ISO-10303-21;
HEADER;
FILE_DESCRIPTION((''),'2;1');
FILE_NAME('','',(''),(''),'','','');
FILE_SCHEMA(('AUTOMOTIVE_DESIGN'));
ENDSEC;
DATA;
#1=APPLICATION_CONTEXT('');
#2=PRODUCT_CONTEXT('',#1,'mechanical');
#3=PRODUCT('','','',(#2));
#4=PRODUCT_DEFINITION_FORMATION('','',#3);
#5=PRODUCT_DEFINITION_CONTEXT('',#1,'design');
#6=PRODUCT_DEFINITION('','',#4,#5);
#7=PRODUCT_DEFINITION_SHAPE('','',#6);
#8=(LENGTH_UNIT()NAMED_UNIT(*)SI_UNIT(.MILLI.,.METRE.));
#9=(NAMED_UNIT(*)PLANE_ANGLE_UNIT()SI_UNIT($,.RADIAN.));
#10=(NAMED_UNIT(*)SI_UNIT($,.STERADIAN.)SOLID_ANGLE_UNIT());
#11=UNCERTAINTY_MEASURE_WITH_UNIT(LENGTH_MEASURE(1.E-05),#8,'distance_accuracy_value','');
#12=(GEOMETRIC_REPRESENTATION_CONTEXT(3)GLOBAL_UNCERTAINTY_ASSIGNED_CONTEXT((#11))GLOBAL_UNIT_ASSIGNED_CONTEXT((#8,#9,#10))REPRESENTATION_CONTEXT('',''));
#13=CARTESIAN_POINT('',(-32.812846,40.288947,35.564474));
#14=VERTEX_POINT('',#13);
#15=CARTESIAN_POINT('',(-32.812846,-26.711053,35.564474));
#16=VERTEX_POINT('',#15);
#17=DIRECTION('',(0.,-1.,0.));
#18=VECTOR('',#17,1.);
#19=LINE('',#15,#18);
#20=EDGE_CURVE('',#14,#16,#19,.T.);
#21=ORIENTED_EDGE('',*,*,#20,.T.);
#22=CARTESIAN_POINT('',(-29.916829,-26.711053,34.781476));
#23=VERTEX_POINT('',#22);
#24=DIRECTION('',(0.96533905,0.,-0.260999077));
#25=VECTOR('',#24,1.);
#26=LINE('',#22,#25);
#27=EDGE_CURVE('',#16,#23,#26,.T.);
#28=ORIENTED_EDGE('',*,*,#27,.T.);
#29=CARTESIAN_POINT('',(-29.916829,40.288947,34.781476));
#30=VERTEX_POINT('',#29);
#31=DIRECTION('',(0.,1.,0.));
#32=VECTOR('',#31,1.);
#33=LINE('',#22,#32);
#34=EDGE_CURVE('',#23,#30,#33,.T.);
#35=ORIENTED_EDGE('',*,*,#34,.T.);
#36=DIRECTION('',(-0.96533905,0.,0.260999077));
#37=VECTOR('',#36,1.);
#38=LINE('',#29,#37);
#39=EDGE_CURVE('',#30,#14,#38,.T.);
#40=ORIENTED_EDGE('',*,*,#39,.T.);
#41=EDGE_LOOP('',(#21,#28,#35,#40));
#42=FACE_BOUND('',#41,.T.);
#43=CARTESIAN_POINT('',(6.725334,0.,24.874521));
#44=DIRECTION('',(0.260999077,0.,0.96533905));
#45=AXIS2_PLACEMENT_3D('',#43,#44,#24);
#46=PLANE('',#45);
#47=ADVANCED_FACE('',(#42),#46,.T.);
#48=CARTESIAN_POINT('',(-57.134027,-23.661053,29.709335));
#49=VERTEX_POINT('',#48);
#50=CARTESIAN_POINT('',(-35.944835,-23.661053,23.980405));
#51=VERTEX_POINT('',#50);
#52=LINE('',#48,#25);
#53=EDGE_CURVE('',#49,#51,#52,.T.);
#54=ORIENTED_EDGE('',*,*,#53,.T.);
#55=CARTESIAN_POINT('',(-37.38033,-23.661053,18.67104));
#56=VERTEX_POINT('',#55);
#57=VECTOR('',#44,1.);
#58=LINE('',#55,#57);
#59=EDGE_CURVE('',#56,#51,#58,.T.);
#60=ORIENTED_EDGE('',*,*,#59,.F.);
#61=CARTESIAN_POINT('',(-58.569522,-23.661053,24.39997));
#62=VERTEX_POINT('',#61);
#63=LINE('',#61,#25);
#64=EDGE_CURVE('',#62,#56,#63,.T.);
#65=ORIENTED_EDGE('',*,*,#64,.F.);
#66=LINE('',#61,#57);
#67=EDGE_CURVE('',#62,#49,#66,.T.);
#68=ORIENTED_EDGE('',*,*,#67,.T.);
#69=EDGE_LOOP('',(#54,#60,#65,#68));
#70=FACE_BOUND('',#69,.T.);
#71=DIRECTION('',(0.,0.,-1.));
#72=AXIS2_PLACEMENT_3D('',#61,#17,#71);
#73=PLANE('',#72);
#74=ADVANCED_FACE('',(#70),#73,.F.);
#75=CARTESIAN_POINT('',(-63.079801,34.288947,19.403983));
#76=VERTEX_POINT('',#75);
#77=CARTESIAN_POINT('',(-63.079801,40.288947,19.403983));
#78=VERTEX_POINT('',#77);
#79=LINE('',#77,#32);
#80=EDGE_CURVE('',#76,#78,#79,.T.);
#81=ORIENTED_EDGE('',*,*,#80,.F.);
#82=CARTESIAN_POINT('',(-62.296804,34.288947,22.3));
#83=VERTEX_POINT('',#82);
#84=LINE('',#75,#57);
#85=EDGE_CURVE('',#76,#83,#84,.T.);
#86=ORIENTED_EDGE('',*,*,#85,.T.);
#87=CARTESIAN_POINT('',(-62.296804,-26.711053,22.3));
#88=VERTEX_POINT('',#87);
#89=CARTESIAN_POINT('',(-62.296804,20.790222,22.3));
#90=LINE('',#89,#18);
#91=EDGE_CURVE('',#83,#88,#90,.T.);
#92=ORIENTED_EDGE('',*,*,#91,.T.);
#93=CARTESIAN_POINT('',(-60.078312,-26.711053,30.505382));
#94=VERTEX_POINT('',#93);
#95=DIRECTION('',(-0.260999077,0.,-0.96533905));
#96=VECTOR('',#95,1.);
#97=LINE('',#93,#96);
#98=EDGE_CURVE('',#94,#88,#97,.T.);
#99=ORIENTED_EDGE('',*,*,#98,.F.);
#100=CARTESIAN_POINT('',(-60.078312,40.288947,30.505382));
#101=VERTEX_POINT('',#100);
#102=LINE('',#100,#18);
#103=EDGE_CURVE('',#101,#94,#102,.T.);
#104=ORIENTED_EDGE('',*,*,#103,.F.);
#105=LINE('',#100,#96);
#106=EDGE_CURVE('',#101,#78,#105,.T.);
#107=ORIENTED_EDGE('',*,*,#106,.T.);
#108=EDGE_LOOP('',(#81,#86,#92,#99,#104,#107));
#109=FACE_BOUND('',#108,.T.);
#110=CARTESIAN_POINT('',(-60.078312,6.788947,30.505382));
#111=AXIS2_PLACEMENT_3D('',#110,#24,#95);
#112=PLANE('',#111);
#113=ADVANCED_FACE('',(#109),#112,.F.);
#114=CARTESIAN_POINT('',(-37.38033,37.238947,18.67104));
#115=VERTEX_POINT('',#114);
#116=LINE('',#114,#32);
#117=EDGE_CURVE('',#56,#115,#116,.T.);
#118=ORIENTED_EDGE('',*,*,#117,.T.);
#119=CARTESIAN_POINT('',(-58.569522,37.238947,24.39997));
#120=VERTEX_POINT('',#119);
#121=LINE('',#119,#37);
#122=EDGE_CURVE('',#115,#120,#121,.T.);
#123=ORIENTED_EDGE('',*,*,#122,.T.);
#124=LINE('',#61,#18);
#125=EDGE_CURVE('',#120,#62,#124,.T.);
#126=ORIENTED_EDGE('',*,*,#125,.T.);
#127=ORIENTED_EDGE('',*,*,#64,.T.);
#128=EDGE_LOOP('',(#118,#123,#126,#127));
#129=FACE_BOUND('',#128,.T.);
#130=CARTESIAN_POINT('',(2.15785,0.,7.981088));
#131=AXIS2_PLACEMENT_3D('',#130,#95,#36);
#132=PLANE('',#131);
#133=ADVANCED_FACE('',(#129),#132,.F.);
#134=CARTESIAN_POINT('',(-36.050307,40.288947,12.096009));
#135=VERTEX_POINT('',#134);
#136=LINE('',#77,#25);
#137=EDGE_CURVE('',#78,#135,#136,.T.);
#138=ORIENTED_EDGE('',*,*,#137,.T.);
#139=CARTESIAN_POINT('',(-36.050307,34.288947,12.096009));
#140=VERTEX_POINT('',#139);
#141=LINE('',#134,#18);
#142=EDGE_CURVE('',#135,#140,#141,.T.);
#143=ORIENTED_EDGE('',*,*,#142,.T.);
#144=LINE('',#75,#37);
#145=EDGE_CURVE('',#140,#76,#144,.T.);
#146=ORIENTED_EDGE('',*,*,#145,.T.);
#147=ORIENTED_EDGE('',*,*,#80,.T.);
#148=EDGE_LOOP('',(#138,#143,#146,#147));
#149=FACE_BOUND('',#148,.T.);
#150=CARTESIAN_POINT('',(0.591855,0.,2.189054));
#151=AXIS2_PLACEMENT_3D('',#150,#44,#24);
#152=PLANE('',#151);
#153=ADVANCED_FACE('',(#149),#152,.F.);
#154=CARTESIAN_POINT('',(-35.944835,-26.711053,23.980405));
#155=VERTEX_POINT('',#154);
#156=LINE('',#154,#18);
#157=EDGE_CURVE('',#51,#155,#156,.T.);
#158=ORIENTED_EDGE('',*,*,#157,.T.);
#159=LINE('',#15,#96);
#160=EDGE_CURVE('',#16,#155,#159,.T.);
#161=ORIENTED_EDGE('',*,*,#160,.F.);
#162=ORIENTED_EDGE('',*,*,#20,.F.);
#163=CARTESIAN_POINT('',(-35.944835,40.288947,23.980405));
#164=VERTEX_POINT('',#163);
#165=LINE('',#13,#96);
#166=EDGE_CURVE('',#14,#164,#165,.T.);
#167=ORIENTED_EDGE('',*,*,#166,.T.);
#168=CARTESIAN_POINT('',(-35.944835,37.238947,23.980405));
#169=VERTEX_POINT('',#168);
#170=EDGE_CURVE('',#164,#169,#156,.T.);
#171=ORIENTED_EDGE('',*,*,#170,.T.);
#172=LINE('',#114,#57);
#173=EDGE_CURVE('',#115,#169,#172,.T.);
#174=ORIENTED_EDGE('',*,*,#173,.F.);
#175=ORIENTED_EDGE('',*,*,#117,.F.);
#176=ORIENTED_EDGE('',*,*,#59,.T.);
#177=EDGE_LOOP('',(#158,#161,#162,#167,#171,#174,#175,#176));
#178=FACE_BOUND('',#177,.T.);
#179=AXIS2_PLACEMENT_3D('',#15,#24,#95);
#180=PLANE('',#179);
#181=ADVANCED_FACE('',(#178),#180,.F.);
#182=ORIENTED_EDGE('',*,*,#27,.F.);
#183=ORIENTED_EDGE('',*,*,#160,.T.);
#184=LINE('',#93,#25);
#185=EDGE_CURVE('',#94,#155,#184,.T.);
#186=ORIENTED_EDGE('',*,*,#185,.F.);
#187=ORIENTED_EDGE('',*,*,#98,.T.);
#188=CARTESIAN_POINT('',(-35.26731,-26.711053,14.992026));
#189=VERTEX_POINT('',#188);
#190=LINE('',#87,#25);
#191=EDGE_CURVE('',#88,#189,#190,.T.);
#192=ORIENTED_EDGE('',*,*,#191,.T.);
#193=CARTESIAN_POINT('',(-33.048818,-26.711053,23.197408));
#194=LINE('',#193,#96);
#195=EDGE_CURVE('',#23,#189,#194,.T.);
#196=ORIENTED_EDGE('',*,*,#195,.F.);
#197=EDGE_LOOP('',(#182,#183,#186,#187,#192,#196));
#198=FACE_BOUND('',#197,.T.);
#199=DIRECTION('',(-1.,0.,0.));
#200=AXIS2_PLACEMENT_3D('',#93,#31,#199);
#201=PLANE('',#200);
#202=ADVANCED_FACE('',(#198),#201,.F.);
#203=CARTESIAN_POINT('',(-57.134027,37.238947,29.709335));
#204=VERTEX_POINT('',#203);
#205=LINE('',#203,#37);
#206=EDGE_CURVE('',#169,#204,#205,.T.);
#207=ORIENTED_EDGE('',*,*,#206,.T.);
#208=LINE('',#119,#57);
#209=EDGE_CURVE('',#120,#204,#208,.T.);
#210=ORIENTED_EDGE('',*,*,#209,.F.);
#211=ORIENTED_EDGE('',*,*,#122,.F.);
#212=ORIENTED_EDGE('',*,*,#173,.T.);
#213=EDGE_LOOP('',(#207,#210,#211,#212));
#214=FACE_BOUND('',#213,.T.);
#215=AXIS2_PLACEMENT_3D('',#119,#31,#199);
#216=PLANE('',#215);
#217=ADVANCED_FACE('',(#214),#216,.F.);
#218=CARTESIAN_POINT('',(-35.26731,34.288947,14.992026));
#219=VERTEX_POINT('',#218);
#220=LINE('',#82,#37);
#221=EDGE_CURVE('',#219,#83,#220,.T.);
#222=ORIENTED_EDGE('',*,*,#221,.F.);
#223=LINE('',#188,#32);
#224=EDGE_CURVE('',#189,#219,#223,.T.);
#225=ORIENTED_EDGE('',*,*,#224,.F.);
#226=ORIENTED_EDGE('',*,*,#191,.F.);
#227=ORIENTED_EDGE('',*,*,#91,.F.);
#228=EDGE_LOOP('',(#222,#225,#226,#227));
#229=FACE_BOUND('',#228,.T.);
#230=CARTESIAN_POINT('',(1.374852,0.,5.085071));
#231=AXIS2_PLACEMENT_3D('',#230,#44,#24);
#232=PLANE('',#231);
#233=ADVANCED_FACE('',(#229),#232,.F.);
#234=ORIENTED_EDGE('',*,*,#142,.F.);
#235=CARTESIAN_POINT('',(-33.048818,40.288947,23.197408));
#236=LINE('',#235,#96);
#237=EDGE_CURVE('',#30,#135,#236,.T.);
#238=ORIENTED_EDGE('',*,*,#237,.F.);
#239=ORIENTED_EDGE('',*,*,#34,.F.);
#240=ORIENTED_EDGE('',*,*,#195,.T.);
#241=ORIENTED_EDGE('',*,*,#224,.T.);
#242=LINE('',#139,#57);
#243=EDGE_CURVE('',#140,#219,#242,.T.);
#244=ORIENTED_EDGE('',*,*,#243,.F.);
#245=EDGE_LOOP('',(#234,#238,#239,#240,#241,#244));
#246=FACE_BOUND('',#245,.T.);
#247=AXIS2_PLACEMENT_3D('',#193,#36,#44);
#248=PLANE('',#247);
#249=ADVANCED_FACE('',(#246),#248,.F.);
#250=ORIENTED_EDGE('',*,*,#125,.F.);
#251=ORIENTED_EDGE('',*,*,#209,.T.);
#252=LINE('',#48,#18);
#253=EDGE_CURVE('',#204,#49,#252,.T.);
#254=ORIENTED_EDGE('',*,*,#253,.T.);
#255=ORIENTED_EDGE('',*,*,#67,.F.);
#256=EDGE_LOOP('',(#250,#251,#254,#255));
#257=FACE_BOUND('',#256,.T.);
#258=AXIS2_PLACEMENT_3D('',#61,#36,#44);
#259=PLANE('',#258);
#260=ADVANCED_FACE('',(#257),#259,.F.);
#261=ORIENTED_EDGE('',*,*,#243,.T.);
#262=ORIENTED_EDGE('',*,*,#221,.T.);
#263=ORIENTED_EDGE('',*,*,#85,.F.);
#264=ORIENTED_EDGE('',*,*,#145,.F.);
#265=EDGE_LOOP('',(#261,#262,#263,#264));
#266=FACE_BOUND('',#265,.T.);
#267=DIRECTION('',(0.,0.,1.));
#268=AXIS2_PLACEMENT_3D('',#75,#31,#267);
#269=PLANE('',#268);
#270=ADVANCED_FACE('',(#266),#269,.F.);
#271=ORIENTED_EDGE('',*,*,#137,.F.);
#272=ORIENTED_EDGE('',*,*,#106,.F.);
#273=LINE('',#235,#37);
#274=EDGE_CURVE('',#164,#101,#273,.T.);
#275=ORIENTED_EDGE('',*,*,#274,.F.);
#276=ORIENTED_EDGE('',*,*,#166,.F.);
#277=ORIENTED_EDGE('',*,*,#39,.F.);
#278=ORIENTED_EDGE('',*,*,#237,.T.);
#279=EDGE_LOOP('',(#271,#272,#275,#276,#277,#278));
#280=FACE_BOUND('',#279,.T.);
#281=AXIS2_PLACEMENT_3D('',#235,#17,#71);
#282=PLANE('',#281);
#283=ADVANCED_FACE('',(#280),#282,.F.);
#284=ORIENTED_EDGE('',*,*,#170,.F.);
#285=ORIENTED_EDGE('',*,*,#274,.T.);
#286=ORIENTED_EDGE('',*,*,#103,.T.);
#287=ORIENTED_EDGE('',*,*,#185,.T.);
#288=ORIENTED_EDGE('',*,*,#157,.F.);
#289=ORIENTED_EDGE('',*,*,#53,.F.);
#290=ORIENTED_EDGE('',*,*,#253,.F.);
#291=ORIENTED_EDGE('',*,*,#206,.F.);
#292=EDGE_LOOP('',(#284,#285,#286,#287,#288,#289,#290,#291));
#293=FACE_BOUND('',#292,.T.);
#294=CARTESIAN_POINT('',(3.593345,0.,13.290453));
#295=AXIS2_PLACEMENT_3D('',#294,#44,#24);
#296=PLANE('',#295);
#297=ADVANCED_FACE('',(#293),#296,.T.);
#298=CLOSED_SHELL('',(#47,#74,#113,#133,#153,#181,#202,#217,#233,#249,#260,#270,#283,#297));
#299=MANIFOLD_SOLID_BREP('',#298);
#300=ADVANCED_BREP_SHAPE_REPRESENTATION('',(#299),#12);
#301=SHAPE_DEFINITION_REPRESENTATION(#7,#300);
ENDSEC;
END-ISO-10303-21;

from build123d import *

# Parameters (mm, degrees)
CROQUIS1_W              = 52
CROQUIS1_H              = 37
SALIENTE_EXTRUIR1_DEPTH = 3
REDONDEO1_R             = 3
CROQUIS2_R              = 1.5
CORTAR_EXTRUIR1_DEPTH   = 3
CROQUIS3_W              = 29
CROQUIS3_H              = 20
CROQUIS3_W_2            = 6
CROQUIS3_H_2            = 14
CORTAR_EXTRUIR2_DEPTH   = 3
SALIENTE_EXTRUIR2_DEPTH = 9
CROQUIS5_W              = 36
CROQUIS5_H              = 28.002550662
SALIENTE_EXTRUIR3_DEPTH = 10.3
CORTAR_EXTRUIR3_START   = -28.002551
CORTAR_EXTRUIR3_DEPTH   = 28.002551
SALIENTE_EXTRUIR4_DEPTH = 8.5
CROQUIS8_W              = 21.9
CROQUIS8_H              = 60.9
CORTAR_EXTRUIR4_DEPTH   = 5.5
CORTAR_EXTRUIR5_DEPTH   = 9
CORTAR_EXTRUIR6_START   = -28.002551
CROQUIS12_W             = 9
CROQUIS12_H             = 1.570892211
CORTAR_EXTRUIR6_DEPTH   = 28.002551
CROQUIS13_W             = 3
CROQUIS13_H             = 67
SALIENTE_EXTRUIR5_DEPTH = 12
CORTAR_EXTRUIR7_START   = -28.002551
CROQUIS14_W             = 31
CROQUIS14_H             = 9
CORTAR_EXTRUIR7_DEPTH   = 28.002551
CROQUIS17_R             = 1.5
SALIENTE_EXTRUIR6_DEPTH = 9
CORTAR_EXTRUIR8_START   = -37
CROQUIS18_W             = 54.197150846
CROQUIS18_H             = 9
CORTAR_EXTRUIR8_DEPTH   = 37
CROQUIS20_W             = 28
CROQUIS20_H             = 6
SALIENTE_EXTRUIR7_DEPTH = 3
CROQUIS21_W             = 20
CROQUIS21_H             = 4.5
CORTAR_EXTRUIR10_DEPTH  = 2
CROQUIS24_W             = 0.05
CROQUIS24_H             = 60.9
CORTAR_EXTRUIR13_DEPTH  = 5.5
CROQUIS25_W             = 64.228743672
CROQUIS25_H             = 61
CORTAR_EXTRUIR14_DEPTH  = 15
CROQUIS26_W             = 10.904109589
CROQUIS26_H             = 37
CORTAR_EXTRUIR15_DEPTH  = 15


with BuildPart() as part:
    # Croquis1 → Saliente-Extruir1 (new body)
    with BuildSketch(Plane.XY):
        with Locations((-39.296803653, 6.787671233)):
            Rectangle(CROQUIS1_W, CROQUIS1_H)
    extrude(amount=SALIENTE_EXTRUIR1_DEPTH)

    # Redondeo1
    redondeo1_edges = [part.edges().sort_by_distance(p)[0] for p in [
        (-65.296803653, 25.287671233, 1.5),
        (-65.296803653, -11.712328767, 1.5),
    ]]
    fillet(redondeo1_edges, radius=REDONDEO1_R)

    # Croquis2 → Cortar-Extruir1 (cut)
    with BuildSketch(Plane.XY.offset(3)):
        with Locations((-61.296803653, 21.287671233)):
            Circle(CROQUIS2_R)
        with Locations((-61.296803653, -7.712328767)):
            Circle(CROQUIS2_R)
        with Locations((-16.624072342, -7.712328767)):
            Circle(CROQUIS2_R)
        with Locations((-17.296803653, 21.287671233)):
            Circle(CROQUIS2_R)
    extrude(amount=-CORTAR_EXTRUIR1_DEPTH, mode=Mode.SUBTRACT)

    # Croquis3 → Cortar-Extruir2 (cut)
    with BuildSketch(Plane.XY.offset(3)):
        with Locations((-50.796803653, 6.787671233)):
            Rectangle(CROQUIS3_W, CROQUIS3_H)
        with Locations((-16.296803653, 6.787671233)):
            Rectangle(CROQUIS3_W_2, CROQUIS3_H_2)
    extrude(amount=-CORTAR_EXTRUIR2_DEPTH, mode=Mode.SUBTRACT)

    # Croquis4 → Saliente-Extruir2 (add)
    with BuildSketch(Plane.XY.offset(3)):
        Polygon((-57.296803653, 16.787671233), (-57.296803653, 20.790221895), (-26.296803653, 20.790221895), (-26.296803653, -7.212328767), (-57.296803653, -7.212328767), (-57.296803653, -3.212328767), (-36.296803653, -3.212328767), (-36.296803653, 16.787671233), align=None)
    extrude(amount=SALIENTE_EXTRUIR2_DEPTH)

    # Croquis5 → Saliente-Extruir3 (add)
    with BuildSketch(Plane.XY.offset(12)):
        with Locations((-44.296803653, 6.788946564)):
            Rectangle(CROQUIS5_W, CROQUIS5_H)
    extrude(amount=SALIENTE_EXTRUIR3_DEPTH)

    # Croquis6 → Cortar-Extruir3 (cut)
    with BuildSketch(Plane.XZ.offset(7.212328767).offset(CORTAR_EXTRUIR3_START)):
        Polygon((-35.296803653, 15), (-35.296803653, 12.995381041), (-26.296803653, 12.995381041), (-26.296803653, 14.757444162), (-26.296803653, 22.3), (-62.296803653, 22.3), align=None)
    extrude(amount=CORTAR_EXTRUIR3_DEPTH, mode=Mode.SUBTRACT)

    # Croquis7 → Saliente-Extruir4 (add)
    with BuildSketch(Plane(origin=(1.374852463, 0, 5.085070754), x_dir=(0.9653390502996949, 0, -0.2609990765625102), z_dir=(0.2609990765625102, 0, 0.9653390502996949))):
        Polygon((-65.957816682, 6.788946564), (-65.957816682, -26.711053436), (-37.957816682, -26.711053436), (-37.957816682, 40.288946564), (-65.957816682, 40.288946564), align=None)
    extrude(amount=SALIENTE_EXTRUIR4_DEPTH)

    # Croquis8 → Cortar-Extruir4 (cut)
    with BuildSketch(Plane(origin=(3.593344614, 0, 13.290452681), x_dir=(0.9653390502996949, 0, -0.26099907656251026), z_dir=(0.26099907656251026, 0, 0.9653390502996949))):
        with Locations((-51.957816682, 6.788946564)):
            Rectangle(CROQUIS8_W, CROQUIS8_H)
    extrude(amount=-CORTAR_EXTRUIR4_DEPTH, mode=Mode.SUBTRACT)

    # Croquis10 → Cortar-Extruir5 (cut)
    with BuildSketch(Plane(origin=(0, 20.790221895, 0), x_dir=(1, 0, 0), z_dir=(0, 1, 0))):
        Polygon((-62.296803653, -22.3), (-35.296803653, -15), (-35.296803653, -12), (-62.296803653, -19.3), align=None)
    extrude(amount=-CORTAR_EXTRUIR5_DEPTH, mode=Mode.SUBTRACT)

    # Croquis12 → Cortar-Extruir6 (cut)
    with BuildSketch(Plane(origin=(0, 20.790221895, 0), x_dir=(1, 0, 0), z_dir=(0, 1, 0)).offset(CORTAR_EXTRUIR6_START)):
        with Locations((-30.796803653, -12.209934936)):
            Rectangle(CROQUIS12_W, CROQUIS12_H)
    extrude(amount=CORTAR_EXTRUIR6_DEPTH, mode=Mode.SUBTRACT)

    # Croquis13 → Saliente-Extruir5 (add)
    with BuildSketch(Plane(origin=(3.593344614, 0, 13.290452681), x_dir=(0.9653390502996949, 0, -0.26099907656251026), z_dir=(0.26099907656251026, 0, 0.9653390502996949))):
        with Locations((-39.457816682, 6.788946564)):
            Rectangle(CROQUIS13_W, CROQUIS13_H)
    extrude(amount=SALIENTE_EXTRUIR5_DEPTH)

    # Croquis14 → Cortar-Extruir7 (cut)
    with BuildSketch(Plane.XZ.offset(7.212328767).offset(CORTAR_EXTRUIR7_START)):
        with Locations((-41.796803653, 7.5)):
            Rectangle(CROQUIS14_W, CROQUIS14_H)
    extrude(amount=CORTAR_EXTRUIR7_DEPTH, mode=Mode.SUBTRACT)


with BuildPart() as cortar_extruir7_piece_1:
    # of the separate pieces the step leaves, piece 1, a body of its own (cortar_extruir7_pieces)
    add(part.part.solids().sort_by_distance((-62.296803653, -26.711053436, 22.3))[0])



with BuildPart() as cortar_extruir7_piece_2:
    # of the separate pieces the step leaves, piece 2, a body of its own (cortar_extruir7_pieces)
    add(part.part.solids().sort_by_distance((-62.296803653, 25.287671233, 3))[0])


with BuildPart() as cortar_extruir7_piece_1_1:
    add(cortar_extruir7_piece_1.part)

    add(cortar_extruir7_piece_2.part)  # Saliente-Extruir6 merges Cortar-Extruir7 piece 2
    # Croquis17 → Saliente-Extruir6 (add)
    with BuildSketch(Plane.XY.offset(3)):
        with BuildLine():
            Line((-13.296803653, -0.212328767), (-19.296803653, -0.212328767))
            Line((-19.296803653, -0.212328767), (-19.296803653, 13.787671233))
            Line((-19.296803653, 13.787671233), (-13.296803653, 13.787671233))
            Line((-13.296803653, 13.787671233), (-13.296803653, 25.287671233))
            Line((-13.296803653, 25.287671233), (-62.296803653, 25.287671233))
            ThreePointArc((-62.296803653, 25.287671233), (-64.418123997, 24.408991576), (-65.296803653, 22.287671233))
            Line((-65.296803653, 22.287671233), (-65.296803653, 16.787671233))
            Line((-65.296803653, 16.787671233), (-36.296803653, 16.787671233))
            Line((-36.296803653, 16.787671233), (-36.296803653, -3.212328767))
            Line((-36.296803653, -3.212328767), (-65.296803653, -3.212328767))
            Line((-65.296803653, -3.212328767), (-65.296803653, -8.712328767))
            ThreePointArc((-65.296803653, -8.712328767), (-64.418123997, -10.833649111), (-62.296803653, -11.712328767))
            Line((-62.296803653, -11.712328767), (-13.296803653, -11.712328767))
            Line((-13.296803653, -11.712328767), (-13.296803653, -0.212328767))
        make_face()
        with Locations((-61.296803653, 21.287671233)):
            Circle(CROQUIS17_R, mode=Mode.SUBTRACT)
        with Locations((-61.296803653, -7.712328767)):
            Circle(CROQUIS17_R, mode=Mode.SUBTRACT)
        with Locations((-16.624072342, -7.712328767)):
            Circle(CROQUIS17_R, mode=Mode.SUBTRACT)
        with Locations((-17.296803653, 21.287671233)):
            Circle(CROQUIS17_R, mode=Mode.SUBTRACT)
    extrude(amount=SALIENTE_EXTRUIR6_DEPTH)

    # Croquis18 → Cortar-Extruir8 (cut)
    with BuildSketch(Plane.XZ.offset(11.712328767).offset(CORTAR_EXTRUIR8_START)):
        with Locations((-40.395379076, 4.5)):
            Rectangle(CROQUIS18_W, CROQUIS18_H)
    extrude(amount=CORTAR_EXTRUIR8_DEPTH, mode=Mode.SUBTRACT)

    # Croquis20 → Saliente-Extruir7 (add)
    with BuildSketch(Plane(origin=(1.374852463, 0, 5.085070754), x_dir=(-0.9653390502996949, 0, 0.26099907656251026), z_dir=(-0.26099907656251026, 0, -0.9653390502996949))):
        with Locations((51.957816682, 37.288946564)):
            Rectangle(CROQUIS20_W, CROQUIS20_H)
    extrude(amount=SALIENTE_EXTRUIR7_DEPTH)

    # Croquis21 → Cortar-Extruir10 (cut)
    with BuildSketch(Plane(origin=(0, 0, 9), x_dir=(-1, 0, 0), z_dir=(0, 0, -1))):
        with Locations((45.296803653, 19.037671233)):
            Rectangle(CROQUIS21_W, CROQUIS21_H)
        with Locations((45.296803653, -5.462328767)):
            Rectangle(CROQUIS21_W, CROQUIS21_H)
    extrude(amount=-CORTAR_EXTRUIR10_DEPTH, mode=Mode.SUBTRACT)

    # Croquis24 → Cortar-Extruir13 (cut)
    with BuildSketch(Plane(origin=(3.593344614, 0, 13.290452681), x_dir=(0.9653390502996949, 0, -0.26099907656251026), z_dir=(0.26099907656251026, 0, 0.9653390502996949))):
        with Locations((-40.982816682, 6.788946564)):
            Rectangle(CROQUIS24_W, CROQUIS24_H)
    extrude(amount=-CORTAR_EXTRUIR13_DEPTH, mode=Mode.SUBTRACT)

    # Croquis25 → Cortar-Extruir14 (cut)
    with BuildSketch(Plane(origin=(1.374852463, 0, 5.085070754), x_dir=(-0.9653390502996949, 0, 0.26099907656251026), z_dir=(-0.26099907656251026, 0, -0.9653390502996949))):
        with Locations((45.297379558, 3.788946564)):
            Rectangle(CROQUIS25_W, CROQUIS25_H)
    extrude(amount=CORTAR_EXTRUIR14_DEPTH, mode=Mode.SUBTRACT)


with BuildPart() as cortar_extruir14_piece_1:
    # of the separate pieces the step leaves, piece 1, a body of its own (cortar_extruir14_pieces)
    add(cortar_extruir7_piece_1_1.part.solids().sort_by_distance((-62.296803653, -26.711053436, 22.3))[0])


with BuildPart() as cortar_extruir14_piece_2:
    # of the separate pieces the step leaves, piece 2, a body of its own (cortar_extruir14_pieces)
    add(cortar_extruir7_piece_1_1.part.solids().sort_by_distance((-24.200913242, -11.712328767, 12))[0])

    # Croquis26 → Cortar-Extruir15 (cut)
    with BuildSketch(Plane.XY.offset(12)):
        with Locations((-18.748858448, 6.787671233)):
            Rectangle(CROQUIS26_W, CROQUIS26_H)
    extrude(amount=-CORTAR_EXTRUIR15_DEPTH, mode=Mode.SUBTRACT)


solid = cortar_extruir14_piece_1.part
